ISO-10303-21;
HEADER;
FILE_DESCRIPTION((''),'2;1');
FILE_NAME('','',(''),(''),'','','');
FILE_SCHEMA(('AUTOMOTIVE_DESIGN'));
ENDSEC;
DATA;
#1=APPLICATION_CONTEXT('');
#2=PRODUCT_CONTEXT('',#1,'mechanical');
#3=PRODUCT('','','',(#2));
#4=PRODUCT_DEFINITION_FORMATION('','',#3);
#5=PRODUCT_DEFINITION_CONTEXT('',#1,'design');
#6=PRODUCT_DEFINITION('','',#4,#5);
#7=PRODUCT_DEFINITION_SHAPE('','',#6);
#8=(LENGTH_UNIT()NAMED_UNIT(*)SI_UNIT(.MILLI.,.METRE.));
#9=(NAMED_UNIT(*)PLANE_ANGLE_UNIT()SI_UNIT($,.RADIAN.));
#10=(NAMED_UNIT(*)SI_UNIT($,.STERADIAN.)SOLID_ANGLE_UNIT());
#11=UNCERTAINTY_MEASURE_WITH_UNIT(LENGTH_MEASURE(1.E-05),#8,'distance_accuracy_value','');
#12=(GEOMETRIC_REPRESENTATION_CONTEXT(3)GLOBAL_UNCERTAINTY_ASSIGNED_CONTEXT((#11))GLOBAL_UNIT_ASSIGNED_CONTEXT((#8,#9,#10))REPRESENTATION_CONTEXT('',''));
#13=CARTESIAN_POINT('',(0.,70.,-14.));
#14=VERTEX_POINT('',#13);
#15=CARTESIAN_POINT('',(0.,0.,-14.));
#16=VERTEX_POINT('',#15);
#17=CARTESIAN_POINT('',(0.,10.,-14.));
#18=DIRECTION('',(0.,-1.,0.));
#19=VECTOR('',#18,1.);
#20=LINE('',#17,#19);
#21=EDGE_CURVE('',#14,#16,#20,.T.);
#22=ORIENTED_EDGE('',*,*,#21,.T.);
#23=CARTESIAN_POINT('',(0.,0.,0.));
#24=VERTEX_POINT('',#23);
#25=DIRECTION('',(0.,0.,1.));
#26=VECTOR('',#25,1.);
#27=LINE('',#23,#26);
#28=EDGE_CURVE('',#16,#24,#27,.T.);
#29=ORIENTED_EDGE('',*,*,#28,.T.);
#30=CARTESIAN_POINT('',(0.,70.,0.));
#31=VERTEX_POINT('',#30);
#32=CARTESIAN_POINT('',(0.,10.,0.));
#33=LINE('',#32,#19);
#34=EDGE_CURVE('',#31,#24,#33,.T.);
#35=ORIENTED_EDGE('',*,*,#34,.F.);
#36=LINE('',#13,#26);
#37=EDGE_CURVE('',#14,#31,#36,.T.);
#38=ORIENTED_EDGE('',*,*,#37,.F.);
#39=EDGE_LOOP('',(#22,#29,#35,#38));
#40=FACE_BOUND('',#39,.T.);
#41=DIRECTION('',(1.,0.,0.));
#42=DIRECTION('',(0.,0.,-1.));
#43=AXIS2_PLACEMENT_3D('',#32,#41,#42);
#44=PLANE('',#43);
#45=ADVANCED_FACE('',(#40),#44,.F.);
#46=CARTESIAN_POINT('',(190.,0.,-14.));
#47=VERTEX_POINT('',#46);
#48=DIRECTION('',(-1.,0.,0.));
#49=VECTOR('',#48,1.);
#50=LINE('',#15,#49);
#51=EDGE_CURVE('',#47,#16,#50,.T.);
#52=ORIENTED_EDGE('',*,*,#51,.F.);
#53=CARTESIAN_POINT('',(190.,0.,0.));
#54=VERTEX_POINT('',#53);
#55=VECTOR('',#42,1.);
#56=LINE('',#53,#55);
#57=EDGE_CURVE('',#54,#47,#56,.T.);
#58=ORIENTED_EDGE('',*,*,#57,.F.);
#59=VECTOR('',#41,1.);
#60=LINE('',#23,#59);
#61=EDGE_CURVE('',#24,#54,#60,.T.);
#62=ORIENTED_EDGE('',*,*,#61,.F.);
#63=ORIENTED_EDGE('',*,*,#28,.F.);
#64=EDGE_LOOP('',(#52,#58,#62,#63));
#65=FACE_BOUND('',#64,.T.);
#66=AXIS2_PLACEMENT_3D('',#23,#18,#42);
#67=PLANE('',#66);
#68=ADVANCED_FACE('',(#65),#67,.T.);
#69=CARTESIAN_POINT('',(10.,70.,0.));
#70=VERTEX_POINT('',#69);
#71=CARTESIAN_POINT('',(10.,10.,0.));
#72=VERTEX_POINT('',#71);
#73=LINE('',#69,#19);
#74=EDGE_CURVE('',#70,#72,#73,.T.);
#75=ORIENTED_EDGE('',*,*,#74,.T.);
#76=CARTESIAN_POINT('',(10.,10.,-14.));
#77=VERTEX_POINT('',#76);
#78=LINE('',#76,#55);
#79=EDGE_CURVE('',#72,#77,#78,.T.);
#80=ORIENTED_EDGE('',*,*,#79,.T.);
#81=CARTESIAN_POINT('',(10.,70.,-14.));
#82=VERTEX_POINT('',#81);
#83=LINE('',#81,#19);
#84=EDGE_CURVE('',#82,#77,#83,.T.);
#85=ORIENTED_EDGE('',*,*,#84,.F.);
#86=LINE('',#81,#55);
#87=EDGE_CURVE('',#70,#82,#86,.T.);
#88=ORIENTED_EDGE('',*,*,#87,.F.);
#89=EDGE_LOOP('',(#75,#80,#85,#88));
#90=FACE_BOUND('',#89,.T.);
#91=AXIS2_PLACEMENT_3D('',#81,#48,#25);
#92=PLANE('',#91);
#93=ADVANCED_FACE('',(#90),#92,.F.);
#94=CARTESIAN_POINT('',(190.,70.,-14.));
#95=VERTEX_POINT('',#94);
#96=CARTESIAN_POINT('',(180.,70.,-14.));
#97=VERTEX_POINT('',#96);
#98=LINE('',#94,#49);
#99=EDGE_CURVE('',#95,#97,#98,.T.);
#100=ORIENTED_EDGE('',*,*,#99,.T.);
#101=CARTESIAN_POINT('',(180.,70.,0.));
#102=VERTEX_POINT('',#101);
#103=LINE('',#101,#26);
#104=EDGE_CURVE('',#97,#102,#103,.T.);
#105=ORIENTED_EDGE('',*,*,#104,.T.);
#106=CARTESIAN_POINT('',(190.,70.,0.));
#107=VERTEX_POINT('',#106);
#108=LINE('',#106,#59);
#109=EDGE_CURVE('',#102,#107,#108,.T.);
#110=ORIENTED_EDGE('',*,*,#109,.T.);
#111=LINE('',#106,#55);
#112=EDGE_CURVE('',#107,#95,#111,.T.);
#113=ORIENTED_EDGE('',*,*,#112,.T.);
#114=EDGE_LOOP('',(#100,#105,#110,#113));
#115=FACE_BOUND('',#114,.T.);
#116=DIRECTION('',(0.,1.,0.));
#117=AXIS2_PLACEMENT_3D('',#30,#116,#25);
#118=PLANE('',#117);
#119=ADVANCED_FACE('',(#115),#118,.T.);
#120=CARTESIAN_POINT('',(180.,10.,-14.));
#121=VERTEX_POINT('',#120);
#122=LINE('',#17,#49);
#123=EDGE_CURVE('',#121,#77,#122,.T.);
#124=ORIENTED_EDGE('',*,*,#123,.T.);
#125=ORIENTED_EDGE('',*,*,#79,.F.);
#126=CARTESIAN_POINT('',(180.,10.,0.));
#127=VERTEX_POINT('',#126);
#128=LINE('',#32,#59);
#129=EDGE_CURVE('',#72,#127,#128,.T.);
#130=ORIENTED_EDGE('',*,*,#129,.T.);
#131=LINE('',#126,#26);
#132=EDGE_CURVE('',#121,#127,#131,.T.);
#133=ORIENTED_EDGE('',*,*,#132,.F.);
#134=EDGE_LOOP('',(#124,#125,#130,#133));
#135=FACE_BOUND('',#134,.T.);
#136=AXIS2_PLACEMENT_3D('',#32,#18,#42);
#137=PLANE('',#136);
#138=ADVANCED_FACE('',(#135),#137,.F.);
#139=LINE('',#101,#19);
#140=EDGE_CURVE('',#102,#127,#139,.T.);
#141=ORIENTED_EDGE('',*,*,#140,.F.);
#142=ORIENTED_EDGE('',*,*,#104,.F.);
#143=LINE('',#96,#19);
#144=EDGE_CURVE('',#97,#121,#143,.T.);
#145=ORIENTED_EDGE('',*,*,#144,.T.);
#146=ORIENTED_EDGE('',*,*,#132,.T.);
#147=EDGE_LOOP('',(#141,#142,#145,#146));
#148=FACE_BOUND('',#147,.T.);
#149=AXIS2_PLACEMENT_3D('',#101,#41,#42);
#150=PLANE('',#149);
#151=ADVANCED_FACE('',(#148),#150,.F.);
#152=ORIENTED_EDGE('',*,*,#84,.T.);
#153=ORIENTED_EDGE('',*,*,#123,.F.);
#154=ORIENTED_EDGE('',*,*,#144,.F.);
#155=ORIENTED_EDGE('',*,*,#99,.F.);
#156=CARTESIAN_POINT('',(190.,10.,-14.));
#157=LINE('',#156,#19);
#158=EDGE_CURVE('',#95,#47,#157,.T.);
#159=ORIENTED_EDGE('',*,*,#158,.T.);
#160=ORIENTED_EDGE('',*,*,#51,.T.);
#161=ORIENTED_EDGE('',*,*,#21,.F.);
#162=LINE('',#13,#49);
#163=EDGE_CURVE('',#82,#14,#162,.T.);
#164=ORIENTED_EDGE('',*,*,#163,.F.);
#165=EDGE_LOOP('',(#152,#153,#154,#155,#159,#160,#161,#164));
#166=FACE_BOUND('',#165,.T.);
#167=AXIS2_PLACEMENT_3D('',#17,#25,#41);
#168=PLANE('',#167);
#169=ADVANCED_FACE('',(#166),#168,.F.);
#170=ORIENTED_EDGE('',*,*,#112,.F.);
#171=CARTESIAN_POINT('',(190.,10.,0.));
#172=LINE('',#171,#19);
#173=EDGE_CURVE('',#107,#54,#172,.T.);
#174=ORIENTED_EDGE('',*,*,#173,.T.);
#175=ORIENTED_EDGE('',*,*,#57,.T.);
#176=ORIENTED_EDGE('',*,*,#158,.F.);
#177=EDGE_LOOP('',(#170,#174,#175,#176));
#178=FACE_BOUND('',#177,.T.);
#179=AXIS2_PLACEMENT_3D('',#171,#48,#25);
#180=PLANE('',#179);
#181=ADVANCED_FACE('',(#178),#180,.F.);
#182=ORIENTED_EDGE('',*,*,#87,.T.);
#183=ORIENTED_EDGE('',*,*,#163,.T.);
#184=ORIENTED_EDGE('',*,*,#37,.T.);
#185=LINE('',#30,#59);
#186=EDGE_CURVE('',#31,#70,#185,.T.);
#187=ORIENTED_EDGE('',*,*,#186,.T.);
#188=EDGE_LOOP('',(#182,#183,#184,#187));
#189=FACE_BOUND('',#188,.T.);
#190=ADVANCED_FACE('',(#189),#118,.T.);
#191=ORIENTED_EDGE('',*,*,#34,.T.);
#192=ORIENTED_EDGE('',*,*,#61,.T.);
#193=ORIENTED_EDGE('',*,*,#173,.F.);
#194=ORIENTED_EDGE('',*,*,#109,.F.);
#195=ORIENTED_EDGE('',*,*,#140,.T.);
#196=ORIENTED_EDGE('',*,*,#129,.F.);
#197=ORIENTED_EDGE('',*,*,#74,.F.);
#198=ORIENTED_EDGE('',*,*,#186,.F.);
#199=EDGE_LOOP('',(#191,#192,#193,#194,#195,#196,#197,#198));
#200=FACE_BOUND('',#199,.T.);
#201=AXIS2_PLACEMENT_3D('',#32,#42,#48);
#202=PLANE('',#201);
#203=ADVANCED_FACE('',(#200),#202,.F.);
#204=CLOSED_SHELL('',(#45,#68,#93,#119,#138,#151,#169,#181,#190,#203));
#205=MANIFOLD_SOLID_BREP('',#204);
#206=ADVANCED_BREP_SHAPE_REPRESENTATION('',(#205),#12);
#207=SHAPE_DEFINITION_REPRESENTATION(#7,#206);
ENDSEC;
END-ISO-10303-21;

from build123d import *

# Parameters (mm, degrees)
SKETCH1_W           = 190
SKETCH1_H           = 14
BOSS_EXTRUDE1_DEPTH = 10
SKETCH2_W           = 10
SKETCH2_H           = 14
BOSS_EXTRUDE2_DEPTH = 60


with BuildPart() as part:
    # Sketch1 → Boss-Extrude1 (new body)
    with BuildSketch(Plane(origin=(0, 0, 0), x_dir=(1, 0, 0), z_dir=(0, 1, 0))):
        with Locations((95, 7)):
            Rectangle(SKETCH1_W, SKETCH1_H)
    extrude(amount=BOSS_EXTRUDE1_DEPTH)

    # Sketch2 → Boss-Extrude2 (add)
    with BuildSketch(Plane(origin=(0, 10, 0), x_dir=(1, 0, 0), z_dir=(0, 1, 0))):
        with Locations((5, 7)):
            Rectangle(SKETCH2_W, SKETCH2_H)
        with Locations((185, 7)):
            Rectangle(SKETCH2_W, SKETCH2_H)
    extrude(amount=BOSS_EXTRUDE2_DEPTH)


solid = part.part
